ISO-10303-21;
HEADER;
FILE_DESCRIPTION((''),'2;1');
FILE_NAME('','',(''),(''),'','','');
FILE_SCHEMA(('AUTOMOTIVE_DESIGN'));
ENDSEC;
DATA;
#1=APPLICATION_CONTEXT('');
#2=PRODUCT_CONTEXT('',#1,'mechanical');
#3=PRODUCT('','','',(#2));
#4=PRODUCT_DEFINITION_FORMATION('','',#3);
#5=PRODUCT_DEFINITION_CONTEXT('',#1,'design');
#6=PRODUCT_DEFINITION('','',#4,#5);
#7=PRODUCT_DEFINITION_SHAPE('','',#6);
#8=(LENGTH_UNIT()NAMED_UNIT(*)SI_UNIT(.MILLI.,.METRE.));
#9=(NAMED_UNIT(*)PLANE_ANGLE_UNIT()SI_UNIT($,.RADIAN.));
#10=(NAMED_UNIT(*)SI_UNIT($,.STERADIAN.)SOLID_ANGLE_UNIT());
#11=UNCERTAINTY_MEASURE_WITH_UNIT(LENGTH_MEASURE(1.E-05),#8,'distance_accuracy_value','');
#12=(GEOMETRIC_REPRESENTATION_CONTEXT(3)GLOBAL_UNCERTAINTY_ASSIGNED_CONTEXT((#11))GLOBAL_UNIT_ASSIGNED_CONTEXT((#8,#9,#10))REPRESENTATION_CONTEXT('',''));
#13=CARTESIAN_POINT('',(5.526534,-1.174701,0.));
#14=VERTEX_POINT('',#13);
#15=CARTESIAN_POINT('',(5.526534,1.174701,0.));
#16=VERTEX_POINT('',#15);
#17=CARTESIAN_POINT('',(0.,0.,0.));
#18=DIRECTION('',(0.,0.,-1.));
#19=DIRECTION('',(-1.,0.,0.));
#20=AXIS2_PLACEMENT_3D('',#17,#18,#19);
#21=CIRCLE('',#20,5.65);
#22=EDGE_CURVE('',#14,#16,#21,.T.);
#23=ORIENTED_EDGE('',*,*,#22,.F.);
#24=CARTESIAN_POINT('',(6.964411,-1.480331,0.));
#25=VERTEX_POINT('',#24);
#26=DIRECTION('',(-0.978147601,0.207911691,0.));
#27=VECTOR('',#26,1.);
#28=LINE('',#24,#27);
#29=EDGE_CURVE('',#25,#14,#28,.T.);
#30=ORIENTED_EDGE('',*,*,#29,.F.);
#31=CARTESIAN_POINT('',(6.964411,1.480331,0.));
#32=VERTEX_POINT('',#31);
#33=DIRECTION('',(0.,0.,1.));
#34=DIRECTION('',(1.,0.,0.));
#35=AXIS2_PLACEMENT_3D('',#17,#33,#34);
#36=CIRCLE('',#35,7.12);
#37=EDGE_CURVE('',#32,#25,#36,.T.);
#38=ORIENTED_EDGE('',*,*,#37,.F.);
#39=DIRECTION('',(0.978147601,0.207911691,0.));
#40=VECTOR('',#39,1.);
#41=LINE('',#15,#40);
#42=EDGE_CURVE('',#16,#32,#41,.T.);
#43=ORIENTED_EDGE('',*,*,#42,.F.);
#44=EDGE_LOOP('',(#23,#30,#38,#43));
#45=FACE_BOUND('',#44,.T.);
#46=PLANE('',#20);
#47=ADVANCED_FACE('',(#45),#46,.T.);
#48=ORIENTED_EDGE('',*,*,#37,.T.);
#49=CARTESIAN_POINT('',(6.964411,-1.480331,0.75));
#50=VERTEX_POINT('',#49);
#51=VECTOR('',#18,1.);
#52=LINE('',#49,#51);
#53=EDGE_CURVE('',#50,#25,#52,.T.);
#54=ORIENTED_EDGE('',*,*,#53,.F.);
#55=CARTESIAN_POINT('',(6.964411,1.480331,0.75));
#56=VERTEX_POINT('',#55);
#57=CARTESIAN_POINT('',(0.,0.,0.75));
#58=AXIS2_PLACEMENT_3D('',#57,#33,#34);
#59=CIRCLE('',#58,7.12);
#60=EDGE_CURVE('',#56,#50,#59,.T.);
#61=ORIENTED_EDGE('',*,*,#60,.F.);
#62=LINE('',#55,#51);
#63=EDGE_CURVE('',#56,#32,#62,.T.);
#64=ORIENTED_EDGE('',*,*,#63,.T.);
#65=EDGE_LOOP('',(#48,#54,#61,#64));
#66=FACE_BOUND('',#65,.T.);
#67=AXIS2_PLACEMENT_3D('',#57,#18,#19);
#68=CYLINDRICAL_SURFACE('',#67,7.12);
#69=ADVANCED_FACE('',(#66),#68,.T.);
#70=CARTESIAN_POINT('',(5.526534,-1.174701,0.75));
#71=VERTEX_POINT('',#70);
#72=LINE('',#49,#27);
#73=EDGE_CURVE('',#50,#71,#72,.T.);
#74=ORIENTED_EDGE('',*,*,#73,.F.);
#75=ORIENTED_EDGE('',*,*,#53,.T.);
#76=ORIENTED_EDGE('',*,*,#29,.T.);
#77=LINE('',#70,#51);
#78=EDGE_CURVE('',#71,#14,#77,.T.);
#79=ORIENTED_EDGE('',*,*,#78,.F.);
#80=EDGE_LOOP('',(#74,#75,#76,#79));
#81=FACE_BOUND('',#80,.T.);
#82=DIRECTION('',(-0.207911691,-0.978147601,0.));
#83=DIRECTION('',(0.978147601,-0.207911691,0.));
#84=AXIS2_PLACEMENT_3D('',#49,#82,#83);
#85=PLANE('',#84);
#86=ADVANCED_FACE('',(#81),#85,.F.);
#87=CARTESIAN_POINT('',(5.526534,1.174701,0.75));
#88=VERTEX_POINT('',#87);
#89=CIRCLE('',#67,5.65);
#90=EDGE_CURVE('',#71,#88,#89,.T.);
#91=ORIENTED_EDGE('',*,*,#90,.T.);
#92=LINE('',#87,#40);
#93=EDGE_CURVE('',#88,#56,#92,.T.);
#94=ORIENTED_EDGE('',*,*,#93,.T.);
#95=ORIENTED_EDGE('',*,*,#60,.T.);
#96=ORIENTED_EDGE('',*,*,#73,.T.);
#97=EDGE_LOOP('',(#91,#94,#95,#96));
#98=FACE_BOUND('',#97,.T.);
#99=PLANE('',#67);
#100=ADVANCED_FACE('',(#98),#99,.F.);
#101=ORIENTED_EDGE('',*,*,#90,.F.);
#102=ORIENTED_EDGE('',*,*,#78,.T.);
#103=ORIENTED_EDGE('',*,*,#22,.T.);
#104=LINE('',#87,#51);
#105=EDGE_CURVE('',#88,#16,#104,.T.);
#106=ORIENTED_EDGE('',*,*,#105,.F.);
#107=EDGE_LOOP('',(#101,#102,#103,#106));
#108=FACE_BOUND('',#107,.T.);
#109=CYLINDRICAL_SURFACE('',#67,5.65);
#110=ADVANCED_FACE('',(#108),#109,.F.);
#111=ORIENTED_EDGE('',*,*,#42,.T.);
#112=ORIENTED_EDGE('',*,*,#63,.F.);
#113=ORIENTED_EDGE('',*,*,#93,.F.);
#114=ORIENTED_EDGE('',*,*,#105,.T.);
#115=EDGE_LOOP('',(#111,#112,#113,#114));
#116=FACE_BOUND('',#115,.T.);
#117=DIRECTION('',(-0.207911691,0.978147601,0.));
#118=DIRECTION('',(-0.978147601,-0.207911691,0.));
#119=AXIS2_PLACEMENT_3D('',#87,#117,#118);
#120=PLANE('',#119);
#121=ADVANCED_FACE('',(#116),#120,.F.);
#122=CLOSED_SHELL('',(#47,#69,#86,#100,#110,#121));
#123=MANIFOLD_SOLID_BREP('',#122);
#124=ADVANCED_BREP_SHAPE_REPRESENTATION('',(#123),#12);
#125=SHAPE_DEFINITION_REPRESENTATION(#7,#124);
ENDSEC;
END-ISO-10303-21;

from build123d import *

# Parameters (mm, degrees)
F_01_OPEN_SPRING_STEEL_RETAINER_DEPTH = 0.75


with BuildPart() as part:
    # S01 - Open spring steel retainer → 01 - Open spring steel retainer (new body)
    with BuildSketch(Plane.XY):
        with BuildLine():
            Line((5.526533944, 1.174701053), (6.964410917, 1.480331239))
            ThreePointArc((6.964410917, 1.480331239), (-7.12, 0), (6.964410917, -1.480331239))
            Line((6.964410917, -1.480331239), (5.526533944, -1.174701053))
            ThreePointArc((5.526533944, -1.174701053), (-5.65, 0), (5.526533944, 1.174701053))
        make_face()
    extrude(amount=F_01_OPEN_SPRING_STEEL_RETAINER_DEPTH)


solid = part.part
